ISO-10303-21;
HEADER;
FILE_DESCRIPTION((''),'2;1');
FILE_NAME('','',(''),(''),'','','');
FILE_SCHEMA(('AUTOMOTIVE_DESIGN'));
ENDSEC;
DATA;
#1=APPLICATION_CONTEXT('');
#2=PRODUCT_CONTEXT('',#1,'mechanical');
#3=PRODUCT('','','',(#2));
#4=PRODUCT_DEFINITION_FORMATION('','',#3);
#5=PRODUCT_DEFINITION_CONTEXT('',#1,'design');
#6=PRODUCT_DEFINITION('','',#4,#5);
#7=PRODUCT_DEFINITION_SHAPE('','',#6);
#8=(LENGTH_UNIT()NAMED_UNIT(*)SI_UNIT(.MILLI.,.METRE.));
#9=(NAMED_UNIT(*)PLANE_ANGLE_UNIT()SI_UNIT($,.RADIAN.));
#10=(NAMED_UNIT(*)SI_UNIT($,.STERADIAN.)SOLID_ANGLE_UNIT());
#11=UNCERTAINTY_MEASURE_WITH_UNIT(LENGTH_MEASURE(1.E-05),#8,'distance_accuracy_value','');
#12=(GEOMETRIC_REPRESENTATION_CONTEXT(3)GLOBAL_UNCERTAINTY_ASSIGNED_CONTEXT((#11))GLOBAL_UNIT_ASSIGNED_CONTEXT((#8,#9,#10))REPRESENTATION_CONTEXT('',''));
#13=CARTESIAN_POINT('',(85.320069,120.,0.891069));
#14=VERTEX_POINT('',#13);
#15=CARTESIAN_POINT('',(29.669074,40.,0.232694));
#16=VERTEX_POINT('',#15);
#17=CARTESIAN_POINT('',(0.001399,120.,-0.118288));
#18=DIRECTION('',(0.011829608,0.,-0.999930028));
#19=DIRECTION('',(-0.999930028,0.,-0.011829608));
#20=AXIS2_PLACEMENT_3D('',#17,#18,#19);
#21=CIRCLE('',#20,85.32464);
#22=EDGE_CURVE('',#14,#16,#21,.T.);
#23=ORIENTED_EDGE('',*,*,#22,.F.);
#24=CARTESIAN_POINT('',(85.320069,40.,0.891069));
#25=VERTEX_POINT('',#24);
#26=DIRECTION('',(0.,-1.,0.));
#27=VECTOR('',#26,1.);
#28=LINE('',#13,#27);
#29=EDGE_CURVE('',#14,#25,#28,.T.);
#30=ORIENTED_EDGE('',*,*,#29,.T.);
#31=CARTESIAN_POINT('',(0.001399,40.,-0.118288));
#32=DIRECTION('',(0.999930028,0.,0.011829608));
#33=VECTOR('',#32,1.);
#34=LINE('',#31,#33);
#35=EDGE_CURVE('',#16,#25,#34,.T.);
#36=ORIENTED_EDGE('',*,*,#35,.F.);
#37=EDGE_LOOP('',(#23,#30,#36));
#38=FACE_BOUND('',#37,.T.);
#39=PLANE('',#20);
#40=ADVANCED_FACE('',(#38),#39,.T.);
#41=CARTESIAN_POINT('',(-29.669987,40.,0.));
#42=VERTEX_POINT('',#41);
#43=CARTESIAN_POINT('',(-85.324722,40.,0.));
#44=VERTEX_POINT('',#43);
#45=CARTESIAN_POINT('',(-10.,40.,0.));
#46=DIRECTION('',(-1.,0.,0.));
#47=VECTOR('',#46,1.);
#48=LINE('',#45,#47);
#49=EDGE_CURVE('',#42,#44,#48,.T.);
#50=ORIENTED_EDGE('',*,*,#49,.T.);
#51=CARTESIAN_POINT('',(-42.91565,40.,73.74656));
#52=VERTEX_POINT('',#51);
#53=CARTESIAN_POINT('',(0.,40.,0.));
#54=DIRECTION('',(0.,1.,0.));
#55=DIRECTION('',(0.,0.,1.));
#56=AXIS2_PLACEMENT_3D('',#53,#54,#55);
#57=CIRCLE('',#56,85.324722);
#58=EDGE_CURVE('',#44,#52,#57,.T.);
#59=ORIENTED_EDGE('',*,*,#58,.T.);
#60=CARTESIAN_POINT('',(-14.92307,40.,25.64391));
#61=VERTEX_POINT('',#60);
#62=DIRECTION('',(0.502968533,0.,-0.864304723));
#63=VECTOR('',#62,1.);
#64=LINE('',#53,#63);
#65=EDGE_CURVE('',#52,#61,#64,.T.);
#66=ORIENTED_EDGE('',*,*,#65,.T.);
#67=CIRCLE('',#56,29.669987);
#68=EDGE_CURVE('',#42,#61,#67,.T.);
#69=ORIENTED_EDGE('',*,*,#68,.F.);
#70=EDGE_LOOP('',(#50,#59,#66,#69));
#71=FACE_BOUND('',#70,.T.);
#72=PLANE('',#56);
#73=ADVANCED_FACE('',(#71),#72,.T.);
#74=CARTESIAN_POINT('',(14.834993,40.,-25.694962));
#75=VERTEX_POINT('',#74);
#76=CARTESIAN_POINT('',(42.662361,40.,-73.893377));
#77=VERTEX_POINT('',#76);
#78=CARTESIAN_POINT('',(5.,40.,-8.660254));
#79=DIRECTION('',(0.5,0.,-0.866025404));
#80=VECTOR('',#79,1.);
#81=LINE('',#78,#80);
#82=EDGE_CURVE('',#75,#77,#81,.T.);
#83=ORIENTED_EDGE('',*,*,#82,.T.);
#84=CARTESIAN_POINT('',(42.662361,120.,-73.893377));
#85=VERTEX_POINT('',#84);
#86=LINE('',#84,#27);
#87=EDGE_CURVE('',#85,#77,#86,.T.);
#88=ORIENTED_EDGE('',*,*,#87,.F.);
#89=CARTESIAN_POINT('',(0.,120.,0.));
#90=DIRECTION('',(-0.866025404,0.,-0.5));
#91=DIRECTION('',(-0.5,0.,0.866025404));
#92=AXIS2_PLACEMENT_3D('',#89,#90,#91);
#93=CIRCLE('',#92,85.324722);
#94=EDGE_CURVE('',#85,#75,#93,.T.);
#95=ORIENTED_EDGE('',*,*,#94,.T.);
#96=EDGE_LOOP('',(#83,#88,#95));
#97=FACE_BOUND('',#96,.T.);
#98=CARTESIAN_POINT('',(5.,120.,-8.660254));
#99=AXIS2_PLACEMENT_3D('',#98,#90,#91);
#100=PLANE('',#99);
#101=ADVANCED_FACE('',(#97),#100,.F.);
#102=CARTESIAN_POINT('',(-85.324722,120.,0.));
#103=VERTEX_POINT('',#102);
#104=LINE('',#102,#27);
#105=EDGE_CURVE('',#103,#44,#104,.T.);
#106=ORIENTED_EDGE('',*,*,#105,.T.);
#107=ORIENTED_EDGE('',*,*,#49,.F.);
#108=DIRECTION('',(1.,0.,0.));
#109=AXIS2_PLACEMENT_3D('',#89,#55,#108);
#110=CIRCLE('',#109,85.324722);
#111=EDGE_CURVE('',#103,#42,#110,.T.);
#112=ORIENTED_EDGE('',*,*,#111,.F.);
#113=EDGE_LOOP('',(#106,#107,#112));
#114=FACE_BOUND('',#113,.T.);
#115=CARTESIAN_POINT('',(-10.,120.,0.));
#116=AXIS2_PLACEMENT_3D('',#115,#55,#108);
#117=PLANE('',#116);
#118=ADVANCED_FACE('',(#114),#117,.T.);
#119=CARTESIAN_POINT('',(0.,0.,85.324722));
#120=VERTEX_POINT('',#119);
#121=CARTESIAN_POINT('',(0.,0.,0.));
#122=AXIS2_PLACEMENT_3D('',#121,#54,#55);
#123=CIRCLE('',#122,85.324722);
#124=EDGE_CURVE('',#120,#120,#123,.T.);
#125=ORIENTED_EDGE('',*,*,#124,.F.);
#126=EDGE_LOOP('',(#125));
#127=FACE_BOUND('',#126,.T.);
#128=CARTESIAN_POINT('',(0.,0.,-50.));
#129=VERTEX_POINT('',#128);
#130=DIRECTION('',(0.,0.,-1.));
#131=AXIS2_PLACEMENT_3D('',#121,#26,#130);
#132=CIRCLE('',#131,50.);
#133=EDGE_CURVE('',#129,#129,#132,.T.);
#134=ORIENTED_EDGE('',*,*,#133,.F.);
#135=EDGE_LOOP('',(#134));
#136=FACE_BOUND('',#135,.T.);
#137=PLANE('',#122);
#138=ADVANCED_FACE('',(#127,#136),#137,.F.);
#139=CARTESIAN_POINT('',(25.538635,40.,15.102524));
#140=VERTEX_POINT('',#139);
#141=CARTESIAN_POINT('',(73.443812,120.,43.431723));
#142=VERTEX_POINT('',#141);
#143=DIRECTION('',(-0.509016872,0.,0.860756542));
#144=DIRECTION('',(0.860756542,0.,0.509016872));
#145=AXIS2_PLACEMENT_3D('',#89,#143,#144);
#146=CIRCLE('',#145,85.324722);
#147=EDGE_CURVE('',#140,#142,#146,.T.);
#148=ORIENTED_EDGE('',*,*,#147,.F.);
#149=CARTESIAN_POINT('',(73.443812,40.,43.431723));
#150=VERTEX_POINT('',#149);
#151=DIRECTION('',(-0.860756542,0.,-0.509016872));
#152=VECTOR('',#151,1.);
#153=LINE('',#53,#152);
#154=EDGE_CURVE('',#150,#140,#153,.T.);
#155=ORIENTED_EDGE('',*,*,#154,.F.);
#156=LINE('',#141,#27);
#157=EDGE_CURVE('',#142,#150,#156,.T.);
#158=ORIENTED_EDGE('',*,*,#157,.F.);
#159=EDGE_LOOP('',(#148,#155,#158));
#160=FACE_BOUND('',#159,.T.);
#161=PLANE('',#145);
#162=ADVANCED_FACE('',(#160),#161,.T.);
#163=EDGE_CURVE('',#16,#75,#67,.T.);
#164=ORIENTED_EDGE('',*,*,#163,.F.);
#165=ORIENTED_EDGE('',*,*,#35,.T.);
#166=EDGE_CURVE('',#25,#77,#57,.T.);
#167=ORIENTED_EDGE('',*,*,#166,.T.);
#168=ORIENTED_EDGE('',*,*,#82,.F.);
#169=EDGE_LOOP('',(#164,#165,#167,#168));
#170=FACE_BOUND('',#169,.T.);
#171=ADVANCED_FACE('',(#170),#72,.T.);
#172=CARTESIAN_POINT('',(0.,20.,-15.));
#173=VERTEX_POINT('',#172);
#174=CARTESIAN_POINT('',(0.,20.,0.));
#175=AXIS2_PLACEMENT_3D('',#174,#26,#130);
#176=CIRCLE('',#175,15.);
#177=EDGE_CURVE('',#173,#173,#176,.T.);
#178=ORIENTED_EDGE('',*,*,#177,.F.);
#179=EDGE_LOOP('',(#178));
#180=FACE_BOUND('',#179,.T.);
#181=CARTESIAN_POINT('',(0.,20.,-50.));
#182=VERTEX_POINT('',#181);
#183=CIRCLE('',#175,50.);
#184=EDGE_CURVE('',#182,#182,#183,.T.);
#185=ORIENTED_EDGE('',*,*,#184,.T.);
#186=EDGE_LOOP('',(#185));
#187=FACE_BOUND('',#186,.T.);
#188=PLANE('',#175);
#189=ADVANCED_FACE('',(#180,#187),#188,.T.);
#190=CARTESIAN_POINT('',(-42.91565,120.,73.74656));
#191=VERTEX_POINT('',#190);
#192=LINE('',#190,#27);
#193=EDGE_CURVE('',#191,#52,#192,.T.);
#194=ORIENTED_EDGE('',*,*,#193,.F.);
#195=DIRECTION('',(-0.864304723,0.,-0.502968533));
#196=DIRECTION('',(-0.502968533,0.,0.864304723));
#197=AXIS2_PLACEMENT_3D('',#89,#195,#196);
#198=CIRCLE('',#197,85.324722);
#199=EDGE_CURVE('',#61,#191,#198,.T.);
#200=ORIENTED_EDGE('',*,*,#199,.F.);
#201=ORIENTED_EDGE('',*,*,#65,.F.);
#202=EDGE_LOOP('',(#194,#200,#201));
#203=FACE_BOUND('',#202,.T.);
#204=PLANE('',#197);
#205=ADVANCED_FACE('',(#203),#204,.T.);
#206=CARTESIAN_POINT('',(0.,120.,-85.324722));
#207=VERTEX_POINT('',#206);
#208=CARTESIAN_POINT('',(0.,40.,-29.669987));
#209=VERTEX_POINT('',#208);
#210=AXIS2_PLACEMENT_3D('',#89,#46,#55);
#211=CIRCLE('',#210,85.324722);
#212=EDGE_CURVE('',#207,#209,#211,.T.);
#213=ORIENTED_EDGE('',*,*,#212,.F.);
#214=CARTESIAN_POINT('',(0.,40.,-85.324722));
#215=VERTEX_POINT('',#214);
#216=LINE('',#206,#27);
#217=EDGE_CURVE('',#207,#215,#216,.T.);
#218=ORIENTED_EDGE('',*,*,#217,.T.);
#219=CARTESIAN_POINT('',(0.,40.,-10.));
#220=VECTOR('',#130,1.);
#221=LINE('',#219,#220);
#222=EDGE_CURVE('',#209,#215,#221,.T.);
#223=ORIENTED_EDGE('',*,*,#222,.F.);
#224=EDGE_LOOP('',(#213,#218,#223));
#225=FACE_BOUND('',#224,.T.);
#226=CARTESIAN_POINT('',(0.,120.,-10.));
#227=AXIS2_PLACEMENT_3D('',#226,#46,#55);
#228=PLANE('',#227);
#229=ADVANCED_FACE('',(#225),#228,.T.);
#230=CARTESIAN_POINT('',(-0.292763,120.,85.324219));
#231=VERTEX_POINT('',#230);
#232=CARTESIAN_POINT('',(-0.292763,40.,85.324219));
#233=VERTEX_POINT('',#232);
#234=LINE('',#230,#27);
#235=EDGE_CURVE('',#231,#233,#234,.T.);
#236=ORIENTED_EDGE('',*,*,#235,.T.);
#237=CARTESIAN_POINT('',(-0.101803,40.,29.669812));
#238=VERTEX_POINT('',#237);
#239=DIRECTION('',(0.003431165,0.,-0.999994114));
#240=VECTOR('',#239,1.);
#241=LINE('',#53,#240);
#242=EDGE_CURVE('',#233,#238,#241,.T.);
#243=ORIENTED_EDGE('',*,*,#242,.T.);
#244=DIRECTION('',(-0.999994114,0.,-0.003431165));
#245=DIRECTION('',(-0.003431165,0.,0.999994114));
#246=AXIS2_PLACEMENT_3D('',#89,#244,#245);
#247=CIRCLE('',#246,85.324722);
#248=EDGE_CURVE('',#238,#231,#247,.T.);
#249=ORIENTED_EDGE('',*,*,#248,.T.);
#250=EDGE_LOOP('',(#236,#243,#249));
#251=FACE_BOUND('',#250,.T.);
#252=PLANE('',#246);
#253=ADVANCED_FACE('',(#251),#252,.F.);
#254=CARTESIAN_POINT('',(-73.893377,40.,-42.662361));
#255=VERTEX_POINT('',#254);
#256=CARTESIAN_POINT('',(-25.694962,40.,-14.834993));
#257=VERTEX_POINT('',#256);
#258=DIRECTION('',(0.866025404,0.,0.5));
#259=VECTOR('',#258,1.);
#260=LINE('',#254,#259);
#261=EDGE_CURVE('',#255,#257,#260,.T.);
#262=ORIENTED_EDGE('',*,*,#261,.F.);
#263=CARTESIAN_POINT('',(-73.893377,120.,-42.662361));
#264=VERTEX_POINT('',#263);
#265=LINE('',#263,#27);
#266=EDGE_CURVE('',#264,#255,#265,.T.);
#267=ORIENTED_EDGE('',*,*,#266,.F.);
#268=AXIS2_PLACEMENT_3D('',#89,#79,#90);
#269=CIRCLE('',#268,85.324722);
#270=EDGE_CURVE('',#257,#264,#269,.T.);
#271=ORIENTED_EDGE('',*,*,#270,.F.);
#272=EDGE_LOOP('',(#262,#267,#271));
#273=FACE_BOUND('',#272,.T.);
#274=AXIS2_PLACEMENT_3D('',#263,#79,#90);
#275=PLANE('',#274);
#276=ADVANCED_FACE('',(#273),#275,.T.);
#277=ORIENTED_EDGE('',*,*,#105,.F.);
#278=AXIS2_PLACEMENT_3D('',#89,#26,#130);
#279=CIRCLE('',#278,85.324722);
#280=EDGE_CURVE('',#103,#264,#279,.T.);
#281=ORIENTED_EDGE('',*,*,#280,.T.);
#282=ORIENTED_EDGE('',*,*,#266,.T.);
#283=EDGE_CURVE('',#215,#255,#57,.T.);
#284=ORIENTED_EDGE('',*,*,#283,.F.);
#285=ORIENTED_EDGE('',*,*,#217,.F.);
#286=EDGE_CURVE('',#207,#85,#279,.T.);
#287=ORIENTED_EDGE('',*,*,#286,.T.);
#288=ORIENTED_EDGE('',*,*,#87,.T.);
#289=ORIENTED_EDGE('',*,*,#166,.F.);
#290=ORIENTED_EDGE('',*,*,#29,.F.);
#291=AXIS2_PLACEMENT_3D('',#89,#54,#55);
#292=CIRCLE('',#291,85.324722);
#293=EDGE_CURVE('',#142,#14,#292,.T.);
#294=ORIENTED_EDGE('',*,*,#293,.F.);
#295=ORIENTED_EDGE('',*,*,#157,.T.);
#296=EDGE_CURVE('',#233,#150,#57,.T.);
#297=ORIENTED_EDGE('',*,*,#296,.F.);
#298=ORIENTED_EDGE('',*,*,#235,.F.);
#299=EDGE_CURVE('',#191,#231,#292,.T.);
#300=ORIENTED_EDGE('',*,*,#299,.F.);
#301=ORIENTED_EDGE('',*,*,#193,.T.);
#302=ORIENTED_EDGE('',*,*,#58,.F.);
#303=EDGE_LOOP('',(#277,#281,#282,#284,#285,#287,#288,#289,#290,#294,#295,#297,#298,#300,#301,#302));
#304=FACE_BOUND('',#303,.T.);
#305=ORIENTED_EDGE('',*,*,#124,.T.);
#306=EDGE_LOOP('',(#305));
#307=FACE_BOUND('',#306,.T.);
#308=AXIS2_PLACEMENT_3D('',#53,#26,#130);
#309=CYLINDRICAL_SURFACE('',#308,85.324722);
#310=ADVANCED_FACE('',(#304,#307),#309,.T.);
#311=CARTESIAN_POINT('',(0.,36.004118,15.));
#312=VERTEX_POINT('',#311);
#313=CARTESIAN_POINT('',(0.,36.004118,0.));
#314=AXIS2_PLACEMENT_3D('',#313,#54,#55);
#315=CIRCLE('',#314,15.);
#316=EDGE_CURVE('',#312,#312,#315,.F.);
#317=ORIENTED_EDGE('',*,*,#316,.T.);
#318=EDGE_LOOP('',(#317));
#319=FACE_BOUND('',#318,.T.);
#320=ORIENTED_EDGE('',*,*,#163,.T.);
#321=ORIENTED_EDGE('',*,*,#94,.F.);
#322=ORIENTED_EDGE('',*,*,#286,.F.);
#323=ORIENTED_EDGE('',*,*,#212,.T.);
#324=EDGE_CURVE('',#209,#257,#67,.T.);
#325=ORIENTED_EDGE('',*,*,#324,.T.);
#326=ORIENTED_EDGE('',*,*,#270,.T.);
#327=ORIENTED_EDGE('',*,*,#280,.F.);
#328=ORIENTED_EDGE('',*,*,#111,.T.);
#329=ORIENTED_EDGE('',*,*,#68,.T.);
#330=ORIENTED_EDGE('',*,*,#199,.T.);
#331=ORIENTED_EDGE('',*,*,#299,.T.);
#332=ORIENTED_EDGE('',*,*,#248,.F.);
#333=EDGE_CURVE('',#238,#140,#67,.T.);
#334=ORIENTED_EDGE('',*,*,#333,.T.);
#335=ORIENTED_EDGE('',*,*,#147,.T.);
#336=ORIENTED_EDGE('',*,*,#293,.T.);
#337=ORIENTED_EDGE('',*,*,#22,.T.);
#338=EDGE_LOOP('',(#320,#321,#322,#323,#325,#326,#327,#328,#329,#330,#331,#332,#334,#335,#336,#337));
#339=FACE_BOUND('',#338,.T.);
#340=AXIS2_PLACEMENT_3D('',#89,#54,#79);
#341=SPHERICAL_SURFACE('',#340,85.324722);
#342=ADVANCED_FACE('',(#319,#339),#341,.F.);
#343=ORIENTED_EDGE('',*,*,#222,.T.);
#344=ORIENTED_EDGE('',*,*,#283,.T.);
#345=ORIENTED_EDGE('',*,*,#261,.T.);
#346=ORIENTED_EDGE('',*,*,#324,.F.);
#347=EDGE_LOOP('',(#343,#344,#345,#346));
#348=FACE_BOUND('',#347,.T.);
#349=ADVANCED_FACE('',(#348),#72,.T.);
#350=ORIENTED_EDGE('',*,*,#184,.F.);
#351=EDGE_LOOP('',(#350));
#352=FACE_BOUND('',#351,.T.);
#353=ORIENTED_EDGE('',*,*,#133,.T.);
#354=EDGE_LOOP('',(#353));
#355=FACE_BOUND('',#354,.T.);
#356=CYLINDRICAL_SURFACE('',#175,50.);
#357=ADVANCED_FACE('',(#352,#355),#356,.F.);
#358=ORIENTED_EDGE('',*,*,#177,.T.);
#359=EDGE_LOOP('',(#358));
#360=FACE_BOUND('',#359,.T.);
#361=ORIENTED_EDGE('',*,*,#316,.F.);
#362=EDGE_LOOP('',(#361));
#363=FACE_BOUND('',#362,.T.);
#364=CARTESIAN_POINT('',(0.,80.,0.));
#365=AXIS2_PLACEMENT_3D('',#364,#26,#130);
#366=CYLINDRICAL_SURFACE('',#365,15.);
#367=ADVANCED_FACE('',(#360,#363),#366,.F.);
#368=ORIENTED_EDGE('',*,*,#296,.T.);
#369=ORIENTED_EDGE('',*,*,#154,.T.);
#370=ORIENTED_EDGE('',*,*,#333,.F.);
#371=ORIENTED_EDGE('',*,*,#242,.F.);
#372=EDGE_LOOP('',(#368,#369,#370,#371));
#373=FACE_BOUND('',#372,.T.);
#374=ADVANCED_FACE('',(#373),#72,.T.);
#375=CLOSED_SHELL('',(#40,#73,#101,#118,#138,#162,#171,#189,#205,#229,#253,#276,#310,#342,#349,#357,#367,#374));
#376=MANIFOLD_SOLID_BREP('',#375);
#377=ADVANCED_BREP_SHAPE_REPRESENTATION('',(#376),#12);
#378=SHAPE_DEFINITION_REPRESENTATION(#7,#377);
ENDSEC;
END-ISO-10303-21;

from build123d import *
from build123d.topology import SkipClean

# Parameters (mm, degrees)
SKETCH1_R           = 85.32472163
BOSS_EXTRUDE1_DEPTH = 40
BOSS_EXTRUDE6_DEPTH = 80
SKETCH7_R           = 50
CUT_EXTRUDE1_DEPTH  = 20
SKETCH8_R           = 15
CUT_EXTRUDE2_DEPTH  = 60


with BuildPart() as part:
    # Sketch1 → Boss-Extrude1 (new body)
    with BuildSketch(Plane(origin=(0, 0, 0), x_dir=(1, 0, 0), z_dir=(0, 1, 0))):
        with Locations(Location((0, 0, 0), (0, 0, 270))):
            Circle(SKETCH1_R)
    extrude(amount=BOSS_EXTRUDE1_DEPTH)

    # Sketch2 → Boss-Extrude6 (add)
    with SkipClean():  # the faces are left unmerged after this step: merging them gives an invalid solid
        with BuildSketch(Plane(origin=(0, 40, 0), x_dir=(1, 0, 0), z_dir=(0, 1, 0))):
            with BuildLine():
                Line((8.607565416, -5.090168722), (73.443812301, -43.431722922))
                ThreePointArc((73.443812301, -43.431722922), (82.182232136, -22.943165483), (85.320068664, -0.89106923))
                Line((85.320068664, -0.89106923), (10, 0))
                ThreePointArc((10, 0), (9.645611804, -2.638592981), (8.607565416, -5.090168722))
            make_face()
            with BuildLine():
                Line((-5.02968533, -8.643047234), (-42.915650066, -73.746559925))
                ThreePointArc((-42.915650066, -73.746559925), (-22.366320531, -82.341094401), (-0.292763215, -85.324219369))
                Line((-0.292763215, -85.324219369), (-0.034311652, -9.999941135))
                ThreePointArc((-0.034311652, -9.999941135), (-2.621317726, -9.650320895), (-5.02968533, -8.643047234))
            make_face()
            with BuildLine():
                Line((-10, 0), (-85.32472163, 0))
                ThreePointArc((-85.32472163, 0), (-82.417352244, 22.083662976), (-73.893376503, 42.662360815))
                Line((-73.893376503, 42.662360815), (-8.660254038, 5))
                ThreePointArc((-8.660254038, 5), (-9.659258263, 2.588190451), (-10, 0))
            make_face()
            with BuildLine():
                Line((0, 10), (0, 85.32472163))
                ThreePointArc((0, 85.32472163), (22.083662976, 82.417352244), (42.662360815, 73.893376503))
                Line((42.662360815, 73.893376503), (5, 8.660254038))
                ThreePointArc((5, 8.660254038), (2.588190451, 9.659258263), (0, 10))
            make_face()
        extrude(amount=BOSS_EXTRUDE6_DEPTH)

    # Sketch6 → Cut-Revolve1 (revolve, cut)
    with SkipClean():  # the faces are left unmerged after this step: merging them gives an invalid solid
        with BuildSketch(Plane(origin=(0, 0, 0), x_dir=(0.5000000000000012, 0, -0.866025403784438), z_dir=(0.8660254037844379, 0, 0.5000000000000011)), mode=Mode.PRIVATE) as cut_revolve1_sk:
            with BuildLine():
                Line((85.32472163, 120), (0, 120))
                Line((0, 120), (0, 34.67527837))
                ThreePointArc((0, 34.67527837), (60.333689268, 59.666310732), (85.32472163, 120))
            make_face()
        revolve(cut_revolve1_sk.sketch.rotate(Axis((0, 120, 0), (0, -1, 0)), 330), axis=Axis((0, 120, 0), (0, -1, 0)), mode=Mode.SUBTRACT)

    # Sketch7 → Cut-Extrude1 (cut)
    with SkipClean():  # the faces are left unmerged after this step: merging them gives an invalid solid
        with BuildSketch(Plane.XZ):
            with Locations(Location((0, 0, 0), (0, 0, 270))):
                Circle(SKETCH7_R)
        extrude(amount=-CUT_EXTRUDE1_DEPTH, mode=Mode.SUBTRACT)

    # Sketch8 → Cut-Extrude2 (cut)
    with SkipClean():  # the faces are left unmerged after this step: merging them gives an invalid solid
        with BuildSketch(Plane.XZ.offset(-20)):
            with Locations(Location((0, 0, 0), (0, 0, 270))):
                Circle(SKETCH8_R)
        extrude(amount=-CUT_EXTRUDE2_DEPTH, mode=Mode.SUBTRACT)


solid = part.part
